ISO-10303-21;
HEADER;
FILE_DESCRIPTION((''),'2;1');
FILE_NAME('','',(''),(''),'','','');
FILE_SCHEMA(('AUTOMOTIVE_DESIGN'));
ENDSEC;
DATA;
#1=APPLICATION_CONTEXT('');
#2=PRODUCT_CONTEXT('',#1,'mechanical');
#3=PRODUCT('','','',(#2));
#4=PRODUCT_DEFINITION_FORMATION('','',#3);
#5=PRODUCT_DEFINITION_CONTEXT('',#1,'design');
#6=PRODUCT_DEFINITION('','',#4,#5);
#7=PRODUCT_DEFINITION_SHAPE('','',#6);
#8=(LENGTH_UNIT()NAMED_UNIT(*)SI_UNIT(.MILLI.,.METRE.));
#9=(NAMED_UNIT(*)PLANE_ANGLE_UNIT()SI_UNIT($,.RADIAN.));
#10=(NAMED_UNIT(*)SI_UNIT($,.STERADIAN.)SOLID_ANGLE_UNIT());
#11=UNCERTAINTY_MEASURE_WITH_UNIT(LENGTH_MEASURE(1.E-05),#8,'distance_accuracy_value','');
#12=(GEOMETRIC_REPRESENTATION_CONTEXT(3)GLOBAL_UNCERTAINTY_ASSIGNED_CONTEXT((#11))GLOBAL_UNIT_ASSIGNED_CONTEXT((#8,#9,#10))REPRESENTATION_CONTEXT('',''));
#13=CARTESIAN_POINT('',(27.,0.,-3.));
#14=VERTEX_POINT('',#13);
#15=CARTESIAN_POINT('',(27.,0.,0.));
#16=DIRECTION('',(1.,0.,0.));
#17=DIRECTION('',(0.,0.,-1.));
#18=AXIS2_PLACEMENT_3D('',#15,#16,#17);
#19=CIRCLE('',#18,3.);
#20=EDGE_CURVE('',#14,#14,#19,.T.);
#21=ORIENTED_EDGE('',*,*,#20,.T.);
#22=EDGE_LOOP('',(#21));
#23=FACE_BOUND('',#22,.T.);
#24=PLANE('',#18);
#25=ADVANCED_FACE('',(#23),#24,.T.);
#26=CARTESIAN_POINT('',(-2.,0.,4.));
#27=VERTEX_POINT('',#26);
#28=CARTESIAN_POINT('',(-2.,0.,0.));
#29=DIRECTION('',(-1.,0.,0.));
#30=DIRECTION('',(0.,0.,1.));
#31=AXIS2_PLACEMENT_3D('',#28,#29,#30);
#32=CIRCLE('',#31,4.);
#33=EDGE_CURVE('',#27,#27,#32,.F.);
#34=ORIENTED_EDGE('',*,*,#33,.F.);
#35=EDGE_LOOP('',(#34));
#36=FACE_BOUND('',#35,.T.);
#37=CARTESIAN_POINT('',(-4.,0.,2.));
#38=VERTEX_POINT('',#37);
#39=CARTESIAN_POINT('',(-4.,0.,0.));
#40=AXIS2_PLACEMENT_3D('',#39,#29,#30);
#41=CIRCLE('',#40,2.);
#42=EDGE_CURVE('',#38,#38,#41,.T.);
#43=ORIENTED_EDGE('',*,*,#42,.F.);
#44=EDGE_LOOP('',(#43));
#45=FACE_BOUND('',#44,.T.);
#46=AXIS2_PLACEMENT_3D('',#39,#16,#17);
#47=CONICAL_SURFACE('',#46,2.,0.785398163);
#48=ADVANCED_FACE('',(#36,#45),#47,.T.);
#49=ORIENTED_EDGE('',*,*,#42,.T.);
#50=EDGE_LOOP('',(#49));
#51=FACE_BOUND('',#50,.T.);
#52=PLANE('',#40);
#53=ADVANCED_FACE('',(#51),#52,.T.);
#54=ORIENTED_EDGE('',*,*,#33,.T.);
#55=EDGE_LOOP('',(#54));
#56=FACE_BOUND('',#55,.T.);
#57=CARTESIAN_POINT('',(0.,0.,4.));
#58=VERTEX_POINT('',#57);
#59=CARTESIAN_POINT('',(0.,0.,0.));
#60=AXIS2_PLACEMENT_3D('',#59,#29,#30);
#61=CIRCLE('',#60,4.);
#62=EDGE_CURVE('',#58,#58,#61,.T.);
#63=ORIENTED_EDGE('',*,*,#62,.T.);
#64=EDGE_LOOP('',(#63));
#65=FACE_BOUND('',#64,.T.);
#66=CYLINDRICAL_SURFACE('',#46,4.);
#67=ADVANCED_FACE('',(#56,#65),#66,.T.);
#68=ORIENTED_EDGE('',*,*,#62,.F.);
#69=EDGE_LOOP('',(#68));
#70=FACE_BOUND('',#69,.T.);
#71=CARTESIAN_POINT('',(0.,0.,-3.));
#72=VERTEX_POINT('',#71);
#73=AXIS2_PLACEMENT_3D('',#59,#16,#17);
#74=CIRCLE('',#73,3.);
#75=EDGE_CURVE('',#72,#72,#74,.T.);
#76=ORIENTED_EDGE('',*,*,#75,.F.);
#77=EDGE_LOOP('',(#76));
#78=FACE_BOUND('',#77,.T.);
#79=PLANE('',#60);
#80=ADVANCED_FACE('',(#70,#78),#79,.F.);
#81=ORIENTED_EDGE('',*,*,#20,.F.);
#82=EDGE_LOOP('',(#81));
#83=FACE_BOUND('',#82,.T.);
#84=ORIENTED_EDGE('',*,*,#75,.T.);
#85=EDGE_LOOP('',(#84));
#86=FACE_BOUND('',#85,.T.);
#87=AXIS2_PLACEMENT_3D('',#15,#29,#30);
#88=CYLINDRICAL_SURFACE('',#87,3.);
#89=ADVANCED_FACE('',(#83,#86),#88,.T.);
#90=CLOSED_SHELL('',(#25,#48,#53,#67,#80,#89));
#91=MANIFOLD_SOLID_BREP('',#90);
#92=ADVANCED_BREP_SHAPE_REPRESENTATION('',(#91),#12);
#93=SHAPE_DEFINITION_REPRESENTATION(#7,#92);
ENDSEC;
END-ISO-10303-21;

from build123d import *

# Parameters (mm, degrees)
SKETCH1_R           = 3
BOSS_EXTRUDE1_DEPTH = 27
SKETCH2_R           = 4
BOSS_EXTRUDE2_DEPTH = 4
CHAMFER1_SIZE       = 2


with BuildPart() as part:
    # Sketch1 → Boss-Extrude1 (new body)
    with BuildSketch(Plane(origin=(0, 0, 0), x_dir=(0, 0, -1), z_dir=(1, 0, 0))):
        Circle(SKETCH1_R)
    extrude(amount=BOSS_EXTRUDE1_DEPTH)

    # Sketch2 → Boss-Extrude2 (add)
    with BuildSketch(Plane.ZY):
        Circle(SKETCH2_R)
    extrude(amount=BOSS_EXTRUDE2_DEPTH)

    # Chamfer1
    chamfer1_edges = [part.edges().sort_by_distance(p)[0] for p in [
        (-4, 0, -4),
    ]]
    chamfer(chamfer1_edges, length=CHAMFER1_SIZE)


solid = part.part
